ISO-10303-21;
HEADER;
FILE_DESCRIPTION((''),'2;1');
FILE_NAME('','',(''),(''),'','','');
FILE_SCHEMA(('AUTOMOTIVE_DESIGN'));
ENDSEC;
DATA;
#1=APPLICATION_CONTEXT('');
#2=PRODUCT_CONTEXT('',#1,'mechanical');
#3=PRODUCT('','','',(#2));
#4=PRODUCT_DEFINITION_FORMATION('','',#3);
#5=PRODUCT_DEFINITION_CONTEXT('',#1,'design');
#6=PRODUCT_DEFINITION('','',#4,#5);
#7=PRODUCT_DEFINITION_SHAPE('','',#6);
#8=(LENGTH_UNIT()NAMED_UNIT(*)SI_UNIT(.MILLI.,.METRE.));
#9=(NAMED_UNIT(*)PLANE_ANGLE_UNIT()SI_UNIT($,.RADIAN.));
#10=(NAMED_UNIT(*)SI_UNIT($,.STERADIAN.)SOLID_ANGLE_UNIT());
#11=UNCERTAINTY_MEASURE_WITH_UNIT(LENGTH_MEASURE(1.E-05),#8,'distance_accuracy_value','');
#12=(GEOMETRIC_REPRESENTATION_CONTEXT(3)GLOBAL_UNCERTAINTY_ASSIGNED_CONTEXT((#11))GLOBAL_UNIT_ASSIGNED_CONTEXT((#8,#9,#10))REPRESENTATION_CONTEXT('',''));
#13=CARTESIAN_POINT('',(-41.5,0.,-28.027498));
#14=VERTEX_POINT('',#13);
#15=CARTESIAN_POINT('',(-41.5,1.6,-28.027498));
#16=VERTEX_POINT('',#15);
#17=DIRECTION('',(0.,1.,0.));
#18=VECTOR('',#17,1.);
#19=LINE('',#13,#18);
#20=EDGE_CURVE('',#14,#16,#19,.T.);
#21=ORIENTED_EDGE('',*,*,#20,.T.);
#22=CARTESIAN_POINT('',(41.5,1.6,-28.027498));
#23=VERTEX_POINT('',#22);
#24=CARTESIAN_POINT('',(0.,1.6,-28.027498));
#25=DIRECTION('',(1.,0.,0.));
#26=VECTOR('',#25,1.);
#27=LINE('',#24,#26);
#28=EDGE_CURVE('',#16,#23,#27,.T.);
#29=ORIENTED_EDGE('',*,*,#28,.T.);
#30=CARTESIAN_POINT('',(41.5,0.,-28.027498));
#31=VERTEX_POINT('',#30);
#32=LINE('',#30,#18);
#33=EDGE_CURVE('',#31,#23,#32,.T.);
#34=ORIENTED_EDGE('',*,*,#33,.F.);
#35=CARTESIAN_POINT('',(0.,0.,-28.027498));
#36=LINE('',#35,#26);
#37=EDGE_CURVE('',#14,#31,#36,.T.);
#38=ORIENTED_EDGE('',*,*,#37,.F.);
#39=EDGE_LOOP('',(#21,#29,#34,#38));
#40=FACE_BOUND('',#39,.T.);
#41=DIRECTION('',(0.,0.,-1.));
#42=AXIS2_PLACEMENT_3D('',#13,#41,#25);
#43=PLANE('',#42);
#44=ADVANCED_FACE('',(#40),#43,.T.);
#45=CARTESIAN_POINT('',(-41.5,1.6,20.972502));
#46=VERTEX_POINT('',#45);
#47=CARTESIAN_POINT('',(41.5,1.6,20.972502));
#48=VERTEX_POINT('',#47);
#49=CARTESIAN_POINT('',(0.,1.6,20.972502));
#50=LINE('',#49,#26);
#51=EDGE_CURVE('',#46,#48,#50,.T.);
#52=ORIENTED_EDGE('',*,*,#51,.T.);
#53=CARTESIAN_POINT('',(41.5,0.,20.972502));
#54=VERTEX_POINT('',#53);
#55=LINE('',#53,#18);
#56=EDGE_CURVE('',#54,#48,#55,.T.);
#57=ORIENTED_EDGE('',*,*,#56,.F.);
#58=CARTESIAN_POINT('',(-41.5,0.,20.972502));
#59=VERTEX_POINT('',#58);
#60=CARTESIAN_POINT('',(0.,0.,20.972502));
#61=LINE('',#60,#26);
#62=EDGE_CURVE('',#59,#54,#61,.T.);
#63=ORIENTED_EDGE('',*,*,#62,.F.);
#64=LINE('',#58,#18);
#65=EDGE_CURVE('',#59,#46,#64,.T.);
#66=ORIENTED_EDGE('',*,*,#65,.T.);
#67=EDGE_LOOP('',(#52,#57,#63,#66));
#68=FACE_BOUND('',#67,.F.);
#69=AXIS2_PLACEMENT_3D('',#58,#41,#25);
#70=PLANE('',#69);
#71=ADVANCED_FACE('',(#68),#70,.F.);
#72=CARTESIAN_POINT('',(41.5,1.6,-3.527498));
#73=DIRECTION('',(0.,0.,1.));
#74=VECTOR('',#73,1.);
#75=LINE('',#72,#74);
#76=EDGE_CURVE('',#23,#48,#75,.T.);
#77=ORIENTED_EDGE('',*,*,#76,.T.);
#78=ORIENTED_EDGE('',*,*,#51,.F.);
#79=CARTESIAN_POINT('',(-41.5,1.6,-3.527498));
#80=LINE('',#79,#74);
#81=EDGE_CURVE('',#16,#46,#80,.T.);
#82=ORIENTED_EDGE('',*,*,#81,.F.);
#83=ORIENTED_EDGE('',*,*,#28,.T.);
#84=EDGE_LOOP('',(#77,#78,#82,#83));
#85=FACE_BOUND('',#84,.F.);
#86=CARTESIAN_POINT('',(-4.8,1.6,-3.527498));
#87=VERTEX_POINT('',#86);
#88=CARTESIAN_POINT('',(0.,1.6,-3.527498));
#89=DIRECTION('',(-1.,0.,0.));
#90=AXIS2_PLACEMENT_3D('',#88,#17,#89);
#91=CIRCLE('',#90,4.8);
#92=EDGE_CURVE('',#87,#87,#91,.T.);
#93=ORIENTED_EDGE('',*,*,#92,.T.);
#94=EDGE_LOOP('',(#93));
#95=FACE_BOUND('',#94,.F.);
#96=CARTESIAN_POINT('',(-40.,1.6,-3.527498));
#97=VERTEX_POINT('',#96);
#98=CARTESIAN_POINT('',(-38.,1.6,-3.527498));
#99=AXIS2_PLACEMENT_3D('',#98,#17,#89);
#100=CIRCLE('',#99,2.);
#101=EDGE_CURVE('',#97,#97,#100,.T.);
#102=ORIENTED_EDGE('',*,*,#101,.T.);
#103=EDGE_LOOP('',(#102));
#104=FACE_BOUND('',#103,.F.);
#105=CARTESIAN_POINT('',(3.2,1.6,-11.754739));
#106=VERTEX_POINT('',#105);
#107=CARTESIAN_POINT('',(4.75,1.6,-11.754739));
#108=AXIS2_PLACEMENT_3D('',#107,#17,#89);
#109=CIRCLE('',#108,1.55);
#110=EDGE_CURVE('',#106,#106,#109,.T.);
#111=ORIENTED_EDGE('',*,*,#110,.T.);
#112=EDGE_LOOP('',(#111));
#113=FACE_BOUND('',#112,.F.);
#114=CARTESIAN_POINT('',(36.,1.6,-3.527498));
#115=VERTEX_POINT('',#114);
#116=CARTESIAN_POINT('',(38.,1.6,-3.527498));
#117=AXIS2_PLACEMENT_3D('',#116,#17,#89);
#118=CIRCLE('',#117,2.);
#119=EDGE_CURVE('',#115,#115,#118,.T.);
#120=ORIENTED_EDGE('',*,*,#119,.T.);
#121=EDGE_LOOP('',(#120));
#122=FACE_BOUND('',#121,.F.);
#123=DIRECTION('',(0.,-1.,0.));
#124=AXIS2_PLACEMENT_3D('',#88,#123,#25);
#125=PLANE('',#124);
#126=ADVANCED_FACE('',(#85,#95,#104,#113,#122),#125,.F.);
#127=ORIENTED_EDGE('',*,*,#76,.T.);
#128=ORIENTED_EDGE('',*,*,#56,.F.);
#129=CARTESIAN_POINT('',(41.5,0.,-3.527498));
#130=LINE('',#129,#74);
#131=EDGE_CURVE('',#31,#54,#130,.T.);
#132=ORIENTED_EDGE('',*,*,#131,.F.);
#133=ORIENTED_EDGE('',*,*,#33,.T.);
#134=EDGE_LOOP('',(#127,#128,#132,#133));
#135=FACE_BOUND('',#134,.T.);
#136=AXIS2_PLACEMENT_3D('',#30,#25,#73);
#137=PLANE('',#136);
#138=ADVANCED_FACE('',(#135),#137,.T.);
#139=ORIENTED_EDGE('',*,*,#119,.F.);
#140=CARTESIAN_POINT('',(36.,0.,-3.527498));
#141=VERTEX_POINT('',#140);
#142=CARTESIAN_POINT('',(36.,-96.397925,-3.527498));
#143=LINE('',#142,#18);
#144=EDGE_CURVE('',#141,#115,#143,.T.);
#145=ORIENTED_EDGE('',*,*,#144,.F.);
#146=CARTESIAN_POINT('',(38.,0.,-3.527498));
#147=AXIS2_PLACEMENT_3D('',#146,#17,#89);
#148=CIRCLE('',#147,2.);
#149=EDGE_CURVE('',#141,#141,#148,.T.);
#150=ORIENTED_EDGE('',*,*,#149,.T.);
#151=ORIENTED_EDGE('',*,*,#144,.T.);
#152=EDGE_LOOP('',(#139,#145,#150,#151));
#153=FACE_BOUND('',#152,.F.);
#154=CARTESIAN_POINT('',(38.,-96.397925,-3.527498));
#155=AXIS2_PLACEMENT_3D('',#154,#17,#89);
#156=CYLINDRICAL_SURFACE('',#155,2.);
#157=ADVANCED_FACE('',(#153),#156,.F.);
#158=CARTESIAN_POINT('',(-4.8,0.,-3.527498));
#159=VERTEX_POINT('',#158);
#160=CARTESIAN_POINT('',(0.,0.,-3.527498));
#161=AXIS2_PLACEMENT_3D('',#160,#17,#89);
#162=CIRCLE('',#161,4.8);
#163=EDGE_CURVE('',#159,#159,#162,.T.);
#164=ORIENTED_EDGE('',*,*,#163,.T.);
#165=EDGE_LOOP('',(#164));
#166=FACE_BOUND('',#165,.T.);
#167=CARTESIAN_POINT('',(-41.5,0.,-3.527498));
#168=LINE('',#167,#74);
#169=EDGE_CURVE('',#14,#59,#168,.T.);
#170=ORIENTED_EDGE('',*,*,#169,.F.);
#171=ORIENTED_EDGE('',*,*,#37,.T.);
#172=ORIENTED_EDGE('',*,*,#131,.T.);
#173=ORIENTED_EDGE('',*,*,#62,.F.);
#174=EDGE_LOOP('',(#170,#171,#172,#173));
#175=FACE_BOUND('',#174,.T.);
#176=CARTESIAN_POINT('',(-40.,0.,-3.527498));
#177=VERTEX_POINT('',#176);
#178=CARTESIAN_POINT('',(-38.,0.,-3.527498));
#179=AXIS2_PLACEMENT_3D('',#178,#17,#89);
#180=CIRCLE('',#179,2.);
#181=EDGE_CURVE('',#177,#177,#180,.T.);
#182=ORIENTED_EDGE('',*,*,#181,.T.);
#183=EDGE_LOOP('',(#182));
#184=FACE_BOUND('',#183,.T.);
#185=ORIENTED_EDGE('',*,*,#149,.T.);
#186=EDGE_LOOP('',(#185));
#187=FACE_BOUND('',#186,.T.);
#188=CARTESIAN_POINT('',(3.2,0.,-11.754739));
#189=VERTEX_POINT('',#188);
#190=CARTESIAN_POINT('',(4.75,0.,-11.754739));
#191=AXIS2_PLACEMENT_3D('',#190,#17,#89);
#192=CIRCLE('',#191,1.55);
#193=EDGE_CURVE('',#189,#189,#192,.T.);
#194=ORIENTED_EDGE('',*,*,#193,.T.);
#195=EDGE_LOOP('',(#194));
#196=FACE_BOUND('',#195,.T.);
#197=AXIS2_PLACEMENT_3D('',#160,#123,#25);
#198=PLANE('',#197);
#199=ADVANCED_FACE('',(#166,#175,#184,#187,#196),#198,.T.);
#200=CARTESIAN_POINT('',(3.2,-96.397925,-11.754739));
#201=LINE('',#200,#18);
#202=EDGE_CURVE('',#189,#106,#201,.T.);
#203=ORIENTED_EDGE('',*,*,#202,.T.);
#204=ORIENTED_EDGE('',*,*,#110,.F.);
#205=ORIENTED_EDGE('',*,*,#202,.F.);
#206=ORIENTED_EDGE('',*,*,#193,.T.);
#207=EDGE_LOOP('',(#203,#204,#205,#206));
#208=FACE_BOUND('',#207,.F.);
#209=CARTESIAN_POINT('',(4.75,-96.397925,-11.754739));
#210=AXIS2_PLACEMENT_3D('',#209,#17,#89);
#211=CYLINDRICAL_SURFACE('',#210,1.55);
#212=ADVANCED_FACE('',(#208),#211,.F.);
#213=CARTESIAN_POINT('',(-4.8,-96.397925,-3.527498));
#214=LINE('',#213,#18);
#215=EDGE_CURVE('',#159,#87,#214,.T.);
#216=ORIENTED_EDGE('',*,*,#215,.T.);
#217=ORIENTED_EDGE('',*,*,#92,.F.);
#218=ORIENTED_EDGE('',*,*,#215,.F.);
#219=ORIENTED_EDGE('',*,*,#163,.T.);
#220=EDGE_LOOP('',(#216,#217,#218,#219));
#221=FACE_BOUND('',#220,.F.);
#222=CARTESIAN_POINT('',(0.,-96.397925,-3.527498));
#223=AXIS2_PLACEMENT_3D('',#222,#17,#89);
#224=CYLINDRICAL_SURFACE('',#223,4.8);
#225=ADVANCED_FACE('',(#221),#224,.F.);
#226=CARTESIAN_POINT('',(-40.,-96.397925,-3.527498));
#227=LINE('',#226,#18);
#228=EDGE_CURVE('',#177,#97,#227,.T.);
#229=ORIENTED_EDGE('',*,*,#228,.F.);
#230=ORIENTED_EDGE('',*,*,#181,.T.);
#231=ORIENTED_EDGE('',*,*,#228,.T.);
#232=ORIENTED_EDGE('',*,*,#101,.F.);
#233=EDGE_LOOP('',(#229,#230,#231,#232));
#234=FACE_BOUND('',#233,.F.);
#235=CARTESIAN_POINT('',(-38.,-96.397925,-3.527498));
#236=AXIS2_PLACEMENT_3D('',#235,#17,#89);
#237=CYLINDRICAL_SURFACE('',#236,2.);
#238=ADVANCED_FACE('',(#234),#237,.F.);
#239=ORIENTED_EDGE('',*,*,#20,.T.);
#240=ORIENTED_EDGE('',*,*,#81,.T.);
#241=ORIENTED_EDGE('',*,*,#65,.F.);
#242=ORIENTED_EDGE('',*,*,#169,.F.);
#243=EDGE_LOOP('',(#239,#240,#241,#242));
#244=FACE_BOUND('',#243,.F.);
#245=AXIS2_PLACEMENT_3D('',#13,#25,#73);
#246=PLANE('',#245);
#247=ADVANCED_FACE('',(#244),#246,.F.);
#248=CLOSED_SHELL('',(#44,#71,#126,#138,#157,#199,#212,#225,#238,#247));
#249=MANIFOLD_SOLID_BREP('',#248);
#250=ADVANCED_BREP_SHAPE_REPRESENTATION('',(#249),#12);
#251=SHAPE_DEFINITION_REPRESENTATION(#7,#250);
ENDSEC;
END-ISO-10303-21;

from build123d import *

# Parameters (mm, degrees)
F0_W     = 83
F0_H     = 49
F1_DEPTH = 1.6
F3_D     = 4
F4_D     = 9.6
F5_D     = 3.1


with BuildPart() as f1:
    # F0 (on Front) → F1 (new body)
    with BuildSketch(Plane.XZ):
        with Locations((0, -3.527498)):
            Rectangle(F0_W, F0_H)
    extrude(amount=-F1_DEPTH)

    # F3 (through all)
    with Locations(Plane.XZ):
        with Locations((-38, -3.527498), (38, -3.527498)):
            Hole(F3_D / 2)

    # F4 (through all)
    with Locations(Plane.XZ):
        with Locations((0, -3.527498)):
            Hole(F4_D / 2)

    # F5 (through all)
    with Locations(Plane.XZ):
        with Locations((4.75, -11.754739)):
            Hole(F5_D / 2)


solid = f1.part
